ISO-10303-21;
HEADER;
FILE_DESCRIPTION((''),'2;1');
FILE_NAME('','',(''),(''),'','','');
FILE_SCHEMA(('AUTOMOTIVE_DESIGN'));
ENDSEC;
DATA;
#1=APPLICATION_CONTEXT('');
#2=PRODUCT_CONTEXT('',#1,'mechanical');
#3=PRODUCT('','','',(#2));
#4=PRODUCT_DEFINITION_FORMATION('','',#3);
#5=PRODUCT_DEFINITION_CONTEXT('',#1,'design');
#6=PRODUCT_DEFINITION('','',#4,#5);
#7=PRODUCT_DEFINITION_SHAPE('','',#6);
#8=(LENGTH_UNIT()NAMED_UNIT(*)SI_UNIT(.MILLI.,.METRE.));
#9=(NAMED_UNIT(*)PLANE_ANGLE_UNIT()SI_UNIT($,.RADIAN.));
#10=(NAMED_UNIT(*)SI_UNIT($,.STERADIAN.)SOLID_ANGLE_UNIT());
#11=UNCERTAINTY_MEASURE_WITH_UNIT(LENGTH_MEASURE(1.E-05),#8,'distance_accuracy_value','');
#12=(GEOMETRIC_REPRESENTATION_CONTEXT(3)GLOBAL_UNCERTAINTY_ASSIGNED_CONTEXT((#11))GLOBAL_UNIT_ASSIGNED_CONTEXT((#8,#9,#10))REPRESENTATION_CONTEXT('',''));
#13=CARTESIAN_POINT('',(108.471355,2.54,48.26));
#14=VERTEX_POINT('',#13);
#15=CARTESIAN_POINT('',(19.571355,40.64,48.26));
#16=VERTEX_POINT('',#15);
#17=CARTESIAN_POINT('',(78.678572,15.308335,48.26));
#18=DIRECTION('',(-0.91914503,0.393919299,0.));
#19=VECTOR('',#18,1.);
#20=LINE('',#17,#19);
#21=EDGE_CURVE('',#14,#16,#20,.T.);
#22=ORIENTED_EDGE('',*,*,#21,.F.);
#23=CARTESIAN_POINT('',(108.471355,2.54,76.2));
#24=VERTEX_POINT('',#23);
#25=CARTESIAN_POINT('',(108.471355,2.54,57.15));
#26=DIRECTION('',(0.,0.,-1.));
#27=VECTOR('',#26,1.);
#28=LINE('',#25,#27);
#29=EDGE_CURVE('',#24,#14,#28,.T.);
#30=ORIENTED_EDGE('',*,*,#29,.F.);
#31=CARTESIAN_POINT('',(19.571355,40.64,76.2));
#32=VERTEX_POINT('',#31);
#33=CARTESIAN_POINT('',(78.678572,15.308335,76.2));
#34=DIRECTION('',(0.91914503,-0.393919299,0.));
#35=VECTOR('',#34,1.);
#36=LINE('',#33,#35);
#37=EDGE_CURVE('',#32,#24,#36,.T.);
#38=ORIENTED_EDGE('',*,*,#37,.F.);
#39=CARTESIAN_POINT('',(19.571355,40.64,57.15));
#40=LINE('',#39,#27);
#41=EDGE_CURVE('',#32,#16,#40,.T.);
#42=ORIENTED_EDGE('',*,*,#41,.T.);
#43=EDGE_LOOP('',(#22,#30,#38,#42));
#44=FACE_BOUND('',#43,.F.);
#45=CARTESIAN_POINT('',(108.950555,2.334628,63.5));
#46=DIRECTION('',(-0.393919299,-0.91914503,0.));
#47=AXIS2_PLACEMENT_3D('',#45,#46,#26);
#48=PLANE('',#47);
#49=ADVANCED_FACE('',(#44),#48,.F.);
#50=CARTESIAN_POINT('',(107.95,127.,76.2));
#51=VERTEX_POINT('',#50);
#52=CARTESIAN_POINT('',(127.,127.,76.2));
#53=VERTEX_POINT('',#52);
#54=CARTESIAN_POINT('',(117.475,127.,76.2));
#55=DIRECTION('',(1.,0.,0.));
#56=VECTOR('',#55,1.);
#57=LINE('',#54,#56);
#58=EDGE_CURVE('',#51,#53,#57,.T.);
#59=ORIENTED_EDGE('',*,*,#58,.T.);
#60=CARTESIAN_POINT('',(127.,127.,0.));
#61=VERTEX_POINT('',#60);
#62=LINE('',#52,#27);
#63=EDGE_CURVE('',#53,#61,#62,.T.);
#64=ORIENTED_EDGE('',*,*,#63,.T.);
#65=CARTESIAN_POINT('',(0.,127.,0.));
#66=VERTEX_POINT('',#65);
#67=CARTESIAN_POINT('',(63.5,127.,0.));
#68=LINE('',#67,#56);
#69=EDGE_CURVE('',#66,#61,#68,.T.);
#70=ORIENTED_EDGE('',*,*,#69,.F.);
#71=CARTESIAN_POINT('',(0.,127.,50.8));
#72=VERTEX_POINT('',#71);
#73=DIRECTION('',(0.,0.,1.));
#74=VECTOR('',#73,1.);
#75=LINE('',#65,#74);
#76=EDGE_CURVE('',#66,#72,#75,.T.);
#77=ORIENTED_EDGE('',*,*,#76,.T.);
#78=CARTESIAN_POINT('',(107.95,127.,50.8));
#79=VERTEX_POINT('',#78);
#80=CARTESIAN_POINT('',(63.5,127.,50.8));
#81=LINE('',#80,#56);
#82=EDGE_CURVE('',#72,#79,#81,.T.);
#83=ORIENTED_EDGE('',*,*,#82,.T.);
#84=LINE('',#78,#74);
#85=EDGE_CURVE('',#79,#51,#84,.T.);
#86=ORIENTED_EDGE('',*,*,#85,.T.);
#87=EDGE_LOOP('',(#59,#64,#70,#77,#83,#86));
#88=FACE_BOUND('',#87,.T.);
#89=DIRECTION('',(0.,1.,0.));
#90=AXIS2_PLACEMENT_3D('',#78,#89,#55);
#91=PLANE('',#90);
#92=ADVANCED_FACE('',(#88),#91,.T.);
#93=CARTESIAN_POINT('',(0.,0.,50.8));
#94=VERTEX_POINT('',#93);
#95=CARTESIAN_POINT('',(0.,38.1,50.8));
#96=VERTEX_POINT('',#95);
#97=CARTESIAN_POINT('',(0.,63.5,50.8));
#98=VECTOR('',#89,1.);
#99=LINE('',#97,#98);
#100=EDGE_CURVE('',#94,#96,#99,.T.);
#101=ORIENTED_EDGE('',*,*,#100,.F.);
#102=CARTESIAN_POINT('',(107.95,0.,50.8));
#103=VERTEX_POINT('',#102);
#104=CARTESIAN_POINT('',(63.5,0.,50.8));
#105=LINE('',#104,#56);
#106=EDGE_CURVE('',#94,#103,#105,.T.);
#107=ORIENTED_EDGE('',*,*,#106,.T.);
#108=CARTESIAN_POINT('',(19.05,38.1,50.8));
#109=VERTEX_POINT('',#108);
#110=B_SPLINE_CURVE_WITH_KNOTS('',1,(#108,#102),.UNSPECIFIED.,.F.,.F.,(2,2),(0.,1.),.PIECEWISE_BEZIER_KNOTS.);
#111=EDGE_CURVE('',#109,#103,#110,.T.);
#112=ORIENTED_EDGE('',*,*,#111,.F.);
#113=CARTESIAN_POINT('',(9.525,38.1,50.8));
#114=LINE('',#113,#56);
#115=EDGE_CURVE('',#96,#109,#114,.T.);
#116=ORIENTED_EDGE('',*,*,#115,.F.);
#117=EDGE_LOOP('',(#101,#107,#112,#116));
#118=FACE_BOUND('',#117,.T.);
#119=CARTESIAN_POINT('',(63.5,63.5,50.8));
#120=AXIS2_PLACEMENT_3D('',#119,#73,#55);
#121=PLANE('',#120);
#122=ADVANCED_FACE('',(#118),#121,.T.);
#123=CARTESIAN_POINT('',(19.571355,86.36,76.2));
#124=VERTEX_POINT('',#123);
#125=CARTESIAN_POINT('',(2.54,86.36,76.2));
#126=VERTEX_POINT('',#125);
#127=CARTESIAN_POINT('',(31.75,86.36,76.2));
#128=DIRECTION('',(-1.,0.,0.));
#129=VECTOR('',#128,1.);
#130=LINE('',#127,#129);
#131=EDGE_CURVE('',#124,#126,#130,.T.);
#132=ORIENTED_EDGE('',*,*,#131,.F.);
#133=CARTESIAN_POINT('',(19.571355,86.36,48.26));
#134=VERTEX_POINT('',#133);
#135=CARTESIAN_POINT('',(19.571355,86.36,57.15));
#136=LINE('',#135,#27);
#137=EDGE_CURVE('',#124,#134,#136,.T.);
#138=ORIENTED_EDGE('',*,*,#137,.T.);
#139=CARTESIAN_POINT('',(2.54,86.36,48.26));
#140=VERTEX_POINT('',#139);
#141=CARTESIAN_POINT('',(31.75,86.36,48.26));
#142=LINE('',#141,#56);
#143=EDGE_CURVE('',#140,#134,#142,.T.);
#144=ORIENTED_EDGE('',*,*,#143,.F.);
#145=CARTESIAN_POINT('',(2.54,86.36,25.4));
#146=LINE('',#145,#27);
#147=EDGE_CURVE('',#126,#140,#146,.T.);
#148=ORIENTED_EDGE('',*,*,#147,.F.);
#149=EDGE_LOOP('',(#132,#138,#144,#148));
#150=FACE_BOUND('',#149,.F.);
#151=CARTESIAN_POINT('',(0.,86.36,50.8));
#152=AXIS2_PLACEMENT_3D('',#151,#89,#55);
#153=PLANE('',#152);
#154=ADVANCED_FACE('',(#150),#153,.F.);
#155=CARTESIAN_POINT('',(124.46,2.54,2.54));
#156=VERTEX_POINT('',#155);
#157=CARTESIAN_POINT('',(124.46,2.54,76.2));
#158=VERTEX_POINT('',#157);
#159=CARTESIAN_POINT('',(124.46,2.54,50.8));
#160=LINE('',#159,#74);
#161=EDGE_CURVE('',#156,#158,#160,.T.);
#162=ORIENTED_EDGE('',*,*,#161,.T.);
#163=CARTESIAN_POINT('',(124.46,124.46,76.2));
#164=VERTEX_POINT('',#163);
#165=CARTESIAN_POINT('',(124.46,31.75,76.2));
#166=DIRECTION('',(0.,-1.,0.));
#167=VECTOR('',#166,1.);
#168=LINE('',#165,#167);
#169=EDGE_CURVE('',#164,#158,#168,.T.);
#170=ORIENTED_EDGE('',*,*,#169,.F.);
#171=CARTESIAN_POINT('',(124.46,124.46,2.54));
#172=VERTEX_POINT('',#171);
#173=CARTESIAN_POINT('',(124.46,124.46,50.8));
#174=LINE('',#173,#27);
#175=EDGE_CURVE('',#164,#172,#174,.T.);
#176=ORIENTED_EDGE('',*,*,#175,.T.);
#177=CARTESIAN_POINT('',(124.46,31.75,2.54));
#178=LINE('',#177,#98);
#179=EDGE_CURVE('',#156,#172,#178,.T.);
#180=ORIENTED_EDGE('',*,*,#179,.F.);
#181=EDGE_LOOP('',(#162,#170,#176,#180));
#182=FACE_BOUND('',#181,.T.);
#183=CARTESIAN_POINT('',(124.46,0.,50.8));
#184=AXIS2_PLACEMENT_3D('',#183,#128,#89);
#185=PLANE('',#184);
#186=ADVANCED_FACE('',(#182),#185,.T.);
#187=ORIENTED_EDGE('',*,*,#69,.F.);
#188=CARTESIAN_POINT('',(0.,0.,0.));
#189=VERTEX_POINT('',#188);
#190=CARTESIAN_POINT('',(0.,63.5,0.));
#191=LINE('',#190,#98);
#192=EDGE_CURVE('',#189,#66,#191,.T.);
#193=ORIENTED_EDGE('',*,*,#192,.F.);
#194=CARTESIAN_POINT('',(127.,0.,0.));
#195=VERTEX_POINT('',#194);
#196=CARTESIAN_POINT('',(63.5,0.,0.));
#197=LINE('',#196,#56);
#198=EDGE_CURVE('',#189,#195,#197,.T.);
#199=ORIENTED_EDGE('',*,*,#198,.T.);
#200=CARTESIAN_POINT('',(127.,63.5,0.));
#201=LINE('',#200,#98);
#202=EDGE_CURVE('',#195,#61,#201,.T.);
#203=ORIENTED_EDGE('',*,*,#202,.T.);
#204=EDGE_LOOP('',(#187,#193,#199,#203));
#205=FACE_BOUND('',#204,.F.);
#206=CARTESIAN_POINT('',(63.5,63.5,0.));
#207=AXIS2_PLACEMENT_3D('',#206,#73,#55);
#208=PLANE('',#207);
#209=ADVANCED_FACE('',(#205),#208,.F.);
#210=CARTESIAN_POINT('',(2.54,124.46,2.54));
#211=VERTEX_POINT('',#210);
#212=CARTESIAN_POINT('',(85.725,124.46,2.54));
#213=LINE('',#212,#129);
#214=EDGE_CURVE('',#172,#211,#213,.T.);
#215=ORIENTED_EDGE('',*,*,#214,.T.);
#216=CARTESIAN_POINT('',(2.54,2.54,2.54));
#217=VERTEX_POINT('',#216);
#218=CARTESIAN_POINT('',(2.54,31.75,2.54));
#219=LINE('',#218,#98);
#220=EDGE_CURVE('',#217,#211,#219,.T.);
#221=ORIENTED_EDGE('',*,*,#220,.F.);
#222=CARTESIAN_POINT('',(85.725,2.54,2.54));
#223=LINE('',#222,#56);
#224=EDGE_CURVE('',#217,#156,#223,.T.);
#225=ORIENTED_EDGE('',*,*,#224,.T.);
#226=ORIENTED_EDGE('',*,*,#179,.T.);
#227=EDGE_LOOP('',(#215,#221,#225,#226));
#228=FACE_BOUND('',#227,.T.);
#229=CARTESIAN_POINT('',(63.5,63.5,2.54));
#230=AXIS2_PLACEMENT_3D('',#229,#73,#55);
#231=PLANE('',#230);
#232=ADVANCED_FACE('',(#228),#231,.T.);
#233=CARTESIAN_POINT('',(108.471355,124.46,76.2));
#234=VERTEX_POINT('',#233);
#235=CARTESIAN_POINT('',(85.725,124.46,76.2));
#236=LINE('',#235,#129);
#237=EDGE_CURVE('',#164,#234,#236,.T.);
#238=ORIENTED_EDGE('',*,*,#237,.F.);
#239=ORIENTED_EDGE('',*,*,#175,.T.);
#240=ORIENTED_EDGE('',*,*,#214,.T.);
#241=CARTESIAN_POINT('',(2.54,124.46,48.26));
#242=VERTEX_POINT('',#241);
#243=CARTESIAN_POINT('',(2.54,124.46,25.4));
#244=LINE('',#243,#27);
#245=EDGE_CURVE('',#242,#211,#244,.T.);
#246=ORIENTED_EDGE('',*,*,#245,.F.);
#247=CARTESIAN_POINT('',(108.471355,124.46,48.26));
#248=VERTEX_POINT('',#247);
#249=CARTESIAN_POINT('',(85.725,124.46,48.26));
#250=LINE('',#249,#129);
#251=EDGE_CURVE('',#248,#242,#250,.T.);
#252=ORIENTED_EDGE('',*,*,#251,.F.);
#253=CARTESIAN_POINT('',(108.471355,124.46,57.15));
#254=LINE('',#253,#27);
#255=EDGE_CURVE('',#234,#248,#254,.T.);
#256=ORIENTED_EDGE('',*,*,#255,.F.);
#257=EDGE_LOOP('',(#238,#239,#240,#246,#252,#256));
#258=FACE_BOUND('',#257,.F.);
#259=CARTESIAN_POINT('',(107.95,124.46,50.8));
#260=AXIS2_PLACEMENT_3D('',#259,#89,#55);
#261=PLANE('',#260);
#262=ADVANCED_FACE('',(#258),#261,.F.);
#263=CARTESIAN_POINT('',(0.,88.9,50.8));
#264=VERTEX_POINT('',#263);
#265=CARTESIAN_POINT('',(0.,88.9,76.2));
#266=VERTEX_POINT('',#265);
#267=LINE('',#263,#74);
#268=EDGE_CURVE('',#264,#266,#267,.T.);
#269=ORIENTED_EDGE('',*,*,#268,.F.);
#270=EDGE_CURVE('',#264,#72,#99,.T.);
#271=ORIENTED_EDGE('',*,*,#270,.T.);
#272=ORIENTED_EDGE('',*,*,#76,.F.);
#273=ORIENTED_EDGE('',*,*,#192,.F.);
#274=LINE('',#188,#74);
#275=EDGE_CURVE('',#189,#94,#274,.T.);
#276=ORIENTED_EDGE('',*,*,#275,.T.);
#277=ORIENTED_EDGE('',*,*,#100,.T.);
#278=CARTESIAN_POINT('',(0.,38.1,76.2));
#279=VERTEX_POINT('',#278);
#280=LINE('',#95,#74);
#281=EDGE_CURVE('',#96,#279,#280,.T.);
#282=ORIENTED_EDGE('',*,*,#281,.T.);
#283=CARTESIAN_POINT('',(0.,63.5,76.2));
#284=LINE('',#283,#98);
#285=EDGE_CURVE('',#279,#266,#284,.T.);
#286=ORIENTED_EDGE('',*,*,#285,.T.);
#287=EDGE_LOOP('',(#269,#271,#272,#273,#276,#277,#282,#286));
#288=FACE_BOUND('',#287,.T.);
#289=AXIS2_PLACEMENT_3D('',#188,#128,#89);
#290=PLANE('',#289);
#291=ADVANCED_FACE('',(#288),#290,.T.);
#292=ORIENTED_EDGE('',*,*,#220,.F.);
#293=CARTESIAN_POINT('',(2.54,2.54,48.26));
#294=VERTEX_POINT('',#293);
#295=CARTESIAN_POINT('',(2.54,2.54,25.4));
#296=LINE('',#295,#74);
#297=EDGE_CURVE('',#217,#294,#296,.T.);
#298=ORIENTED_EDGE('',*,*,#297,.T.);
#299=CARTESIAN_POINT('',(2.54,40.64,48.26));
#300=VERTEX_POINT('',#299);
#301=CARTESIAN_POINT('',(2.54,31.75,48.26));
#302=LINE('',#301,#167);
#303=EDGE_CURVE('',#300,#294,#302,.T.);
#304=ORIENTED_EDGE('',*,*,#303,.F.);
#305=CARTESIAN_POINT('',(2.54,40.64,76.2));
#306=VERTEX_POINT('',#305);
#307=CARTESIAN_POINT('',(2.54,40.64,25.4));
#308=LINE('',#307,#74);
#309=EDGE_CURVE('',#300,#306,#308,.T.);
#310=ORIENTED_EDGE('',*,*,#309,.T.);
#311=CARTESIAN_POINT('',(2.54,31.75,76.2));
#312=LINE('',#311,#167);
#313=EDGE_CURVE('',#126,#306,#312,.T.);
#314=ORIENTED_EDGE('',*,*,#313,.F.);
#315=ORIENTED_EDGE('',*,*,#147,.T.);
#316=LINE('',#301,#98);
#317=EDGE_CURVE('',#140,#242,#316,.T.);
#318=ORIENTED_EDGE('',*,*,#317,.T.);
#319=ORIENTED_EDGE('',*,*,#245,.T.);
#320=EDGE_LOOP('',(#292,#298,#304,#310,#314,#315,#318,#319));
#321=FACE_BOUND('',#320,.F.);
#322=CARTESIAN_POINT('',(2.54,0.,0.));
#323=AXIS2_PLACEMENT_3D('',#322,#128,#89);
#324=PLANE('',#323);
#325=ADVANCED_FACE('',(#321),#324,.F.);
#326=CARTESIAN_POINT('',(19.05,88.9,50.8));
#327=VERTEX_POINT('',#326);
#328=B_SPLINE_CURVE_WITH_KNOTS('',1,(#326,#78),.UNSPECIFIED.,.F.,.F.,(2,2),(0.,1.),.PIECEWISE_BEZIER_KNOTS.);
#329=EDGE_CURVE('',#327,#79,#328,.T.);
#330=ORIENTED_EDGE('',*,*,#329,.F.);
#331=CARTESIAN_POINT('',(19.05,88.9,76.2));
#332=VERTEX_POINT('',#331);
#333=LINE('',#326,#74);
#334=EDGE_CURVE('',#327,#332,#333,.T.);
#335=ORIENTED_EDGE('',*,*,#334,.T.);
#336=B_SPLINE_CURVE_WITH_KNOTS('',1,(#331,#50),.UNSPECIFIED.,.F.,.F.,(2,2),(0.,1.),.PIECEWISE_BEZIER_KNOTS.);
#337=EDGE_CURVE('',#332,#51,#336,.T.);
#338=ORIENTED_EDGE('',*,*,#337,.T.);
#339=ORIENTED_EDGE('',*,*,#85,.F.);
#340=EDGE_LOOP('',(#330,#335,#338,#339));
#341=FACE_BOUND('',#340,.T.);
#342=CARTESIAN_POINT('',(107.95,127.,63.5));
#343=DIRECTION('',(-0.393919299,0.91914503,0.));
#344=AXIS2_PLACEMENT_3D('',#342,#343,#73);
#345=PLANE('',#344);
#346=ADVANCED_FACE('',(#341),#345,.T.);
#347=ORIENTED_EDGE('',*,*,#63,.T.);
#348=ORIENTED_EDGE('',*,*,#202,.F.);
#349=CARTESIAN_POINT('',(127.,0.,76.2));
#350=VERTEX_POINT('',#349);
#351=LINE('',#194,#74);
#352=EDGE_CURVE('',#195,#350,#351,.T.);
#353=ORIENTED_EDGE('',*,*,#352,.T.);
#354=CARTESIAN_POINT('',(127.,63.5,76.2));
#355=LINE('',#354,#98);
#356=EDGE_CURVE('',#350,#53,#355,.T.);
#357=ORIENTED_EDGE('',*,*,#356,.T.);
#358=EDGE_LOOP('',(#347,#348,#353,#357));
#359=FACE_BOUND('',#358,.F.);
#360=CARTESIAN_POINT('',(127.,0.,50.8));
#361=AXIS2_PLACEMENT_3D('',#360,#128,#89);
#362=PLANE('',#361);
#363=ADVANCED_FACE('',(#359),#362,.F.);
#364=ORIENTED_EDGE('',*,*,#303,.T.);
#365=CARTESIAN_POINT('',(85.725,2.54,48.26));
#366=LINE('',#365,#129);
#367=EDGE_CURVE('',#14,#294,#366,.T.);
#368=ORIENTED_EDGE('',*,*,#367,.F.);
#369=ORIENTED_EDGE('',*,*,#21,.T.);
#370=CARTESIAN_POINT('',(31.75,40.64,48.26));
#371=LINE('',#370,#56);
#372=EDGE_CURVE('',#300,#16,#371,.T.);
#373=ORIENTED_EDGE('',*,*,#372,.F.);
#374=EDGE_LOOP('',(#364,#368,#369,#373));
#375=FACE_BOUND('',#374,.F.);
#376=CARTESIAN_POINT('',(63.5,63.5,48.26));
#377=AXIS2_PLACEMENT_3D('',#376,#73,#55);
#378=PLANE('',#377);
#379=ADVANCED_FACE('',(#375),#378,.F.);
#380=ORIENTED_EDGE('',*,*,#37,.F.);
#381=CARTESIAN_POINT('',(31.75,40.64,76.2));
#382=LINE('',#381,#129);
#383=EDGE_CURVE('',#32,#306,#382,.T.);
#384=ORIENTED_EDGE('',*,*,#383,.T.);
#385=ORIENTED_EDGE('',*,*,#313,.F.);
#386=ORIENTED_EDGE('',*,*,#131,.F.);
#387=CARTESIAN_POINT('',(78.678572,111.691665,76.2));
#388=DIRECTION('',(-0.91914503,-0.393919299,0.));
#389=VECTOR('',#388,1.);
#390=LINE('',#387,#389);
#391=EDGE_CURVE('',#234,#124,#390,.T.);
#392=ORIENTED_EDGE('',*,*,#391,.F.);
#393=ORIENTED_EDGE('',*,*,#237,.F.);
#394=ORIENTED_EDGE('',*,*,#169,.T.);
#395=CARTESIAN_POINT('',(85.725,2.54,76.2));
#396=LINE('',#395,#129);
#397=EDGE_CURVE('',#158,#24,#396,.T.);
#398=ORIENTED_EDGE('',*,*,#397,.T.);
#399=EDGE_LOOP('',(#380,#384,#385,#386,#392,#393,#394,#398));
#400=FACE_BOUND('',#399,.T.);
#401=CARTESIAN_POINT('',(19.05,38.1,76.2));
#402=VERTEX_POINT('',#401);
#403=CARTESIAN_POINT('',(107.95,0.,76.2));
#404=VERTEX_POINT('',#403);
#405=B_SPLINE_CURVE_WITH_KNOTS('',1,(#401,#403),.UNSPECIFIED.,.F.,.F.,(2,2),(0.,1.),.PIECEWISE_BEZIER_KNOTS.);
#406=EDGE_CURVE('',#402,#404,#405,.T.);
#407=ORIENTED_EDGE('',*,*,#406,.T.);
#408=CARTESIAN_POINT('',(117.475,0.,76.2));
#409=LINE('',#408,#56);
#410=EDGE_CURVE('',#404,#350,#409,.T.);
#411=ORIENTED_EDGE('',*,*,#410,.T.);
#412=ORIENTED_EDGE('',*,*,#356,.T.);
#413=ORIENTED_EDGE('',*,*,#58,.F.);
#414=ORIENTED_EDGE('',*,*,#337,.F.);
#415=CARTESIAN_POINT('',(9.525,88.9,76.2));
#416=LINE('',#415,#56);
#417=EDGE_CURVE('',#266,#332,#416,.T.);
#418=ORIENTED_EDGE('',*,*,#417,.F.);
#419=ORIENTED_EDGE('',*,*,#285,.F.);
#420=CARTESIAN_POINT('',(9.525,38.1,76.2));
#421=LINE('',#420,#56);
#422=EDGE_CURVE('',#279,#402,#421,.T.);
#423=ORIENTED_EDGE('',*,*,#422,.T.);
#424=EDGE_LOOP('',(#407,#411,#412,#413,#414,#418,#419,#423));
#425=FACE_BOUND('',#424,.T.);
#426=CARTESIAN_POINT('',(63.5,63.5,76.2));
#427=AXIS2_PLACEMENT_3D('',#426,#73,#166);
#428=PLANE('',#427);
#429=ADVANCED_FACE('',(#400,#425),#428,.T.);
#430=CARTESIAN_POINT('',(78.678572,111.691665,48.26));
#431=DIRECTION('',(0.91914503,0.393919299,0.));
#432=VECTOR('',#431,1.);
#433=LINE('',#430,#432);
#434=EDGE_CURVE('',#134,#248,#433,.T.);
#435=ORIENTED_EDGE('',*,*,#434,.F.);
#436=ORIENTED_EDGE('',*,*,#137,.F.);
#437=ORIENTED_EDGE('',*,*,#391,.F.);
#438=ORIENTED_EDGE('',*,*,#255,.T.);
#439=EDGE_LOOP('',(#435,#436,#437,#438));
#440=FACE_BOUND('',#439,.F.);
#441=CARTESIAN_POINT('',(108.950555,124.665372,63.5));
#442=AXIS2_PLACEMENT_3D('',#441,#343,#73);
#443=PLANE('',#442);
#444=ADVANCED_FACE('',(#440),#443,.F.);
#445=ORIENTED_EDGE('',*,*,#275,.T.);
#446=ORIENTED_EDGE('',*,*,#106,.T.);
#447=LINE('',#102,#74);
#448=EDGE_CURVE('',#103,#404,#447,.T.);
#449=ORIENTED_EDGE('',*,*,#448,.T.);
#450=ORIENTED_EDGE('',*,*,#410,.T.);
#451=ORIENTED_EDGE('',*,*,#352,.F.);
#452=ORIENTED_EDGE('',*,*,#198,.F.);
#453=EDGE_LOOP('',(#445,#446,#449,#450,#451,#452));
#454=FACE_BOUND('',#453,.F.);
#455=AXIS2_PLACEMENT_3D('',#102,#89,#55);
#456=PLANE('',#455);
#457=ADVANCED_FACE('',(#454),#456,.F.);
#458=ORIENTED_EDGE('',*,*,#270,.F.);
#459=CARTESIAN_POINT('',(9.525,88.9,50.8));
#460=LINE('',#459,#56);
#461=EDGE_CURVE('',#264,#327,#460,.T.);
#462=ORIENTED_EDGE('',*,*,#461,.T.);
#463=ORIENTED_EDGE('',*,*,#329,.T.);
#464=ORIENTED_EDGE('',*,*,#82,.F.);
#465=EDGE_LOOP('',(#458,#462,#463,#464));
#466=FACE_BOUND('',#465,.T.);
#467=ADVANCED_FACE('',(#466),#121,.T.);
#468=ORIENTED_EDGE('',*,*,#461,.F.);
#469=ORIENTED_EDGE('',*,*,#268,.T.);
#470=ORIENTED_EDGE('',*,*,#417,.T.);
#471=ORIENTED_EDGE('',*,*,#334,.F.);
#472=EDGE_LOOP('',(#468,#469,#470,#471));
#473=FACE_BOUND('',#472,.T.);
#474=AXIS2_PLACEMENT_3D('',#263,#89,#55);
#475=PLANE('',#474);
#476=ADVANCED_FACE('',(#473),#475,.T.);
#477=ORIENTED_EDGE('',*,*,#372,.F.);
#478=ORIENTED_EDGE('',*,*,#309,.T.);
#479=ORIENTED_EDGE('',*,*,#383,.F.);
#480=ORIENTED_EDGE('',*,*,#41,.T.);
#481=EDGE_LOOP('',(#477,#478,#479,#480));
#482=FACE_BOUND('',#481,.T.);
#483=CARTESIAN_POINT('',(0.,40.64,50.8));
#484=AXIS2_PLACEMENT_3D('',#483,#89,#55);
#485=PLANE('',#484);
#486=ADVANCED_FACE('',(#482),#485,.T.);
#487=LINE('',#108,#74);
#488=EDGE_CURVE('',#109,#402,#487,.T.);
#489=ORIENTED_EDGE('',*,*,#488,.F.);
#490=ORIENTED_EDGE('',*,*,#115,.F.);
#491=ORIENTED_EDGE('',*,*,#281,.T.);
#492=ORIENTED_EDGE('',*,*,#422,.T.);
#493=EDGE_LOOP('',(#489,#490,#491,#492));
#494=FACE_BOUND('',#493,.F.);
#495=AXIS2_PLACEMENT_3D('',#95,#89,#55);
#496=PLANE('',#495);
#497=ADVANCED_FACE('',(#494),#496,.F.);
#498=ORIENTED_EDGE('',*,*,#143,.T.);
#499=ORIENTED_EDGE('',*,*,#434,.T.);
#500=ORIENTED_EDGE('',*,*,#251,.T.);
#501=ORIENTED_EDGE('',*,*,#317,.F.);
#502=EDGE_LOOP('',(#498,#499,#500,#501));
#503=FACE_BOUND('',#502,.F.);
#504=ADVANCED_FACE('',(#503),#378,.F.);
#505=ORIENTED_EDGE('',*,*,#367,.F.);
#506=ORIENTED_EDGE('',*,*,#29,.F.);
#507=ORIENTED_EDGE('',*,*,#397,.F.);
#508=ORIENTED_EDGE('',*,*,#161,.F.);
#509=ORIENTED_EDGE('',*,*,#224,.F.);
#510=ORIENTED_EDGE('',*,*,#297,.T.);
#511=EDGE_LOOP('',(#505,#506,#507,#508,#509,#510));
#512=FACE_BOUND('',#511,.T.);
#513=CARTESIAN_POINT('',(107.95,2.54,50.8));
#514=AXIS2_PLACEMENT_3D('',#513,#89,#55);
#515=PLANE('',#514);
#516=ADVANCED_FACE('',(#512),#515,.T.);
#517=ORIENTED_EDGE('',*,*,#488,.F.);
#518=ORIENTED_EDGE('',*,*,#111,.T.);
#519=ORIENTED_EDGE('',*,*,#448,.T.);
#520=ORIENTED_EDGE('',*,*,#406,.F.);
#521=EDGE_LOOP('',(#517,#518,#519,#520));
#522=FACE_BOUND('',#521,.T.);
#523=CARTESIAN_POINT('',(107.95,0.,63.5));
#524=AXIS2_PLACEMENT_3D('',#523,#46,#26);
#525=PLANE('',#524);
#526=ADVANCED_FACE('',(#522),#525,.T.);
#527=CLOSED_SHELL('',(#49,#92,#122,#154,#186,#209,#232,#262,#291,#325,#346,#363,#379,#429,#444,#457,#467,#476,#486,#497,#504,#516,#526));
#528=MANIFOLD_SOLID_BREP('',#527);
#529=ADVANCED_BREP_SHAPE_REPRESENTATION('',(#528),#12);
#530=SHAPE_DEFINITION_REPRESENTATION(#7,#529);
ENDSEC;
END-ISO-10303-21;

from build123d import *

# Parameters (mm, degrees)
F0_W       = 127
F0_H       = 127
F1_DEPTH   = 50.8
F2_W       = 19.05
F2_H       = 50.8
F2_H_2     = 127
F3_DEPTH   = 25.4
F3_FACE_W  = 50.8
F3_FACE_H  = 25.4
F3_FACE1_W = 127
F3_FACE1_H = 25.4
F5_T       = -2.54


with BuildPart() as f1:
    # F0 (on Top) → F1 (new body)
    with BuildSketch(Plane.XY):
        with Locations((63.5, 63.5)):
            Rectangle(F0_W, F0_H)
    extrude(amount=F1_DEPTH)

    # F2 (on face) → F3 (join)
    with BuildSketch(Plane.XY.offset(50.8)):
        with Locations((9.525, 63.5)):
            Rectangle(F2_W, F2_H)
        with Locations((117.475, 63.5)):
            Rectangle(F2_W, F2_H_2)
    extrude(amount=F3_DEPTH)

    # F3_face (on face) → F4 section 0
    with BuildSketch(Plane(origin=(19.05, 63.5, 63.5), x_dir=(0, 1, 0), z_dir=(1, 0, 0))):
        Rectangle(F3_FACE_W, F3_FACE_H)
    # F3_face1 (on face) → F4 section 1
    with BuildSketch(Plane(origin=(107.95, 63.5, 63.5), x_dir=(0, -1, 0), z_dir=(-1, 0, 0))):
        Rectangle(F3_FACE1_W, F3_FACE1_H)
    loft()

    # F5
    f5_openings = [f1.faces().sort_by_distance(p)[0] for p in [
        (74.884643, 63.5, 76.2),
    ]]
    offset(amount=F5_T, openings=f5_openings, kind=Kind.INTERSECTION)


solid = f1.part
